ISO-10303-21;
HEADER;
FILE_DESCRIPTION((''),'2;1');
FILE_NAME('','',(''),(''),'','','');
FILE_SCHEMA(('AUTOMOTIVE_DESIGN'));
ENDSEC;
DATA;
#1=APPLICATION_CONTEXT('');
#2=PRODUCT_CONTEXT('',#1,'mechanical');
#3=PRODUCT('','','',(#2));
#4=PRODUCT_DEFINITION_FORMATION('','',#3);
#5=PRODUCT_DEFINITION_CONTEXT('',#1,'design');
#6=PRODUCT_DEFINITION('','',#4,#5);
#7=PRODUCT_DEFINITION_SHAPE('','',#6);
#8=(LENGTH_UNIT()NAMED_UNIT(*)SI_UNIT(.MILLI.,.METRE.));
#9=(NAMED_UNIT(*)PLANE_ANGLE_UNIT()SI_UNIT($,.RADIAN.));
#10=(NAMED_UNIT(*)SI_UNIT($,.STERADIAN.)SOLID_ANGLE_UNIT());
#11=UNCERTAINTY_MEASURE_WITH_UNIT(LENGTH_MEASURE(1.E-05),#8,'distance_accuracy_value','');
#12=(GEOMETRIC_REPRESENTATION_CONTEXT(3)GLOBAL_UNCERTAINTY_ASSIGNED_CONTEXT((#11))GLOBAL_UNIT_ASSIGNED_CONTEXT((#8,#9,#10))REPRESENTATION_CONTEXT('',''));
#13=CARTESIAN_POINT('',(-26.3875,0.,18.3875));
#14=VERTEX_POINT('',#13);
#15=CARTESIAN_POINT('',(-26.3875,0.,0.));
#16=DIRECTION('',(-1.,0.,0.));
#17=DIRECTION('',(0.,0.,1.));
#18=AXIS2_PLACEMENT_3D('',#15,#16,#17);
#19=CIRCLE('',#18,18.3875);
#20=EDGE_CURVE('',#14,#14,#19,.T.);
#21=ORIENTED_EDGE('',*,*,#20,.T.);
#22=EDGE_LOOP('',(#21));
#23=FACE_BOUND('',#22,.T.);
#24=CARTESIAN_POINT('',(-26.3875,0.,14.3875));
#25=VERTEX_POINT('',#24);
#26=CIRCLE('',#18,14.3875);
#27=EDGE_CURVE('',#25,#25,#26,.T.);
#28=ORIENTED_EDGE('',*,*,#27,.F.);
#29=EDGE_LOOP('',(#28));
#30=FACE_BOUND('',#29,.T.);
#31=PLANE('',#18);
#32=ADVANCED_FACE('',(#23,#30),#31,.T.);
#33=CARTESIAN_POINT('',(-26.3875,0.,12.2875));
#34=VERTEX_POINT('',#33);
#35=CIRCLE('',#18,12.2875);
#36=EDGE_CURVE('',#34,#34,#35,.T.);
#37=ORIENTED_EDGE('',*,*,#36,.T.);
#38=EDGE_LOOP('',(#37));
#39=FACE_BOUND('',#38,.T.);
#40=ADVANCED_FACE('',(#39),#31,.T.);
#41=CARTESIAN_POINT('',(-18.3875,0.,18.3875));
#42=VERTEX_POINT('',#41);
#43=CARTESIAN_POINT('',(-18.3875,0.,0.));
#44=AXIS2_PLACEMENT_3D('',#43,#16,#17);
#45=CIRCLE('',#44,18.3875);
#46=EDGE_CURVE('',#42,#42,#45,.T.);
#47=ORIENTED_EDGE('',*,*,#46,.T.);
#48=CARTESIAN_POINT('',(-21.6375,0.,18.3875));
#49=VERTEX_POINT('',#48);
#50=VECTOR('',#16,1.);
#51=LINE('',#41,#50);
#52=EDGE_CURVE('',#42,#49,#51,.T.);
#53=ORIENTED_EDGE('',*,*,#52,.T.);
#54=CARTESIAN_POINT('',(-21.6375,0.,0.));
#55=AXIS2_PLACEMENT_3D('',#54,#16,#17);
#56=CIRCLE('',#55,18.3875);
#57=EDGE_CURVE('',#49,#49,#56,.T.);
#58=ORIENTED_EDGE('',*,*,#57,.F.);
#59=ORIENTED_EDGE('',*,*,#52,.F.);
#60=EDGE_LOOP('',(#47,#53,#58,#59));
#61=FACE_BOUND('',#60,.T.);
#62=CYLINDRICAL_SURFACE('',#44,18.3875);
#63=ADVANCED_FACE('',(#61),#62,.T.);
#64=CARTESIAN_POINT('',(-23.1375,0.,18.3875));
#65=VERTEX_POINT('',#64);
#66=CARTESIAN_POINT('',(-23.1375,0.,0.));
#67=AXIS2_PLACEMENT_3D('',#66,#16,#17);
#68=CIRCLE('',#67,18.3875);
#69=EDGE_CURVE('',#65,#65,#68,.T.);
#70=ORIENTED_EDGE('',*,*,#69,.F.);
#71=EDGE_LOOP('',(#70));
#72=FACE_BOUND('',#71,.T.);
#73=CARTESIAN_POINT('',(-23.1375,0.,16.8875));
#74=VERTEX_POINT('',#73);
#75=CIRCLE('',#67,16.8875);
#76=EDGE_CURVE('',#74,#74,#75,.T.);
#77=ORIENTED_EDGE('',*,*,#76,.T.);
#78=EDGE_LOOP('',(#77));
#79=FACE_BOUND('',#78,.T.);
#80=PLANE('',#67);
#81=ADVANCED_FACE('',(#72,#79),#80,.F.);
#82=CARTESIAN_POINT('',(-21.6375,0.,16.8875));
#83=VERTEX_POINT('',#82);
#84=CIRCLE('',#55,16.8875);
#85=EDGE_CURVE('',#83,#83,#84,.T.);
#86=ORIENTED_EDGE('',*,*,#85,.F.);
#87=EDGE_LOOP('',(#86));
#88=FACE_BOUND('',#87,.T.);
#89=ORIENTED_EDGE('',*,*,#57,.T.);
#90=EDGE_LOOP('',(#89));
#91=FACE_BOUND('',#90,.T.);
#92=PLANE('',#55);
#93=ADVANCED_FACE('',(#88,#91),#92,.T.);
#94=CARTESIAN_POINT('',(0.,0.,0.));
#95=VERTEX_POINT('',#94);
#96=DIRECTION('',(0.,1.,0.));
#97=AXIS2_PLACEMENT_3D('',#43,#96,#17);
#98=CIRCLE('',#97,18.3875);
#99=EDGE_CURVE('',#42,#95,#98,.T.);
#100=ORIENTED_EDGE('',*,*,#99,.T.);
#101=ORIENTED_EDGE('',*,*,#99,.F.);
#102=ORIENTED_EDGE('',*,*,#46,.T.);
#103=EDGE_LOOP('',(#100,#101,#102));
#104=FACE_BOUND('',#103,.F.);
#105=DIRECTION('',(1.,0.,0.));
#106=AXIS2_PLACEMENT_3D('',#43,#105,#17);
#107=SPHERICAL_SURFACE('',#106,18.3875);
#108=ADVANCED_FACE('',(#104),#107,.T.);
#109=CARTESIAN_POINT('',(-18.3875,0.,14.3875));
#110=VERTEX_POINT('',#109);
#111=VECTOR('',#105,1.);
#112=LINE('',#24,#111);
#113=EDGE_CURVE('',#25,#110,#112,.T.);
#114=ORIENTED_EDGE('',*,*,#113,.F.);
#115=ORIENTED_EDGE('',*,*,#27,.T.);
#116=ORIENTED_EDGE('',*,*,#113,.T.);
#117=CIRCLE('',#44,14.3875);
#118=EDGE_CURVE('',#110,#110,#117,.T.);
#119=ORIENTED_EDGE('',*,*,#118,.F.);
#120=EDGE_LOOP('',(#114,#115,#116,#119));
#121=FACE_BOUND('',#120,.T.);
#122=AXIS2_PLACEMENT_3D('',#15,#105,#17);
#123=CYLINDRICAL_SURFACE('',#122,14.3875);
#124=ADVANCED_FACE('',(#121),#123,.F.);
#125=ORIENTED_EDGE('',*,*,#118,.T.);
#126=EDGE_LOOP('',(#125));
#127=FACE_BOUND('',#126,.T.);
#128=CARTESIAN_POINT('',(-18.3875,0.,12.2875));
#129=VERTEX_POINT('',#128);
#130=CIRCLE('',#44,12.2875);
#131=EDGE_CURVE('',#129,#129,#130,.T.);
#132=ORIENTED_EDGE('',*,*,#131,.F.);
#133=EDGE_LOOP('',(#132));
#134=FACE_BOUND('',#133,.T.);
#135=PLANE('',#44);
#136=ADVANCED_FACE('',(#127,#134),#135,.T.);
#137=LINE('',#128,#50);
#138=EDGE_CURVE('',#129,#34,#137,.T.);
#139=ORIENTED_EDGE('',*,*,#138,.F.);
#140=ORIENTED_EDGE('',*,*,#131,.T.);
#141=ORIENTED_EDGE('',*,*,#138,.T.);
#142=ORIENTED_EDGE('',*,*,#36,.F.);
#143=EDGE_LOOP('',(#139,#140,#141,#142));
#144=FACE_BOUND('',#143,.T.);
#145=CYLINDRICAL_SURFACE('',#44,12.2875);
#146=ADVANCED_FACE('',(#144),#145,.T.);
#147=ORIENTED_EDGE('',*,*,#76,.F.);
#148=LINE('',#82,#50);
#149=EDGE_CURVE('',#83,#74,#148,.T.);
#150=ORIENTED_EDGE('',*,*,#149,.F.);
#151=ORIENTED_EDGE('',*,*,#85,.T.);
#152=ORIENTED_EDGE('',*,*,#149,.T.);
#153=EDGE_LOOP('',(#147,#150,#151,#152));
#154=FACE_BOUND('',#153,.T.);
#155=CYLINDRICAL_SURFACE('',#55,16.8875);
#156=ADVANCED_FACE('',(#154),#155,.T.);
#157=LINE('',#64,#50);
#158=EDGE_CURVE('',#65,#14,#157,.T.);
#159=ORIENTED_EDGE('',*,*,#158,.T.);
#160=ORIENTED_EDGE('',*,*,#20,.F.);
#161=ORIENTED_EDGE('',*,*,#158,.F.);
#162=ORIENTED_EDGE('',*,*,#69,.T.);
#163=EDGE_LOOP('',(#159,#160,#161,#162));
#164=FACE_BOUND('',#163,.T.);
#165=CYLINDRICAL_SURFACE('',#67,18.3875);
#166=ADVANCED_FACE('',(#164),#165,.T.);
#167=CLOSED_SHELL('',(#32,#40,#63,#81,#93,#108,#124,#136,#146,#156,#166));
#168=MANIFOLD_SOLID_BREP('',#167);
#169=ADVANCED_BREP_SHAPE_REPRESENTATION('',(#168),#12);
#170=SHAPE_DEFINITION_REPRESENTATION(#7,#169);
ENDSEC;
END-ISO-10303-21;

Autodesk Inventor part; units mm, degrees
ref_plane "YZ Plane" through (0, 0, 0) normal (1, 0, 0) x (0, 1, 0)
ref_plane "XZ Plane" through (0, 0, 0) normal (0, 1, 0) x (-1, 0, 0)
ref_plane "XY Plane" through (0, 0, 0) normal (0, 0, 1) x (1, 0, 0)
sketch "Boceto1" plane through (0, 0, 0) normal (0, 1, 0) x (-1, 0, 0)
  line L0 (18.3875, 12.2875) -> (26.3875, 12.2875)
  line L1 (26.3875, -12.2875) -> (18.3875, -12.2875) construction
  line L2 (26.3875, 18.3875) -> (26.3875, 14.3875)
  line L3 (26.3875, 14.3875) -> (18.3875, 14.3875)
  line L4 (18.3875, 14.3875) -> (18.3875, 12.2875)
  line L5 (18.3875, -12.2875) -> (18.3875, -14.3875) construction
  line L6 (18.3875, -14.3875) -> (26.3875, -14.3875) construction
  line L7 (26.3875, -14.3875) -> (26.3875, -18.3875) construction
  line L8 (18.3875, 18.3875) -> (21.6375, 18.3875)
  line L9 (21.6375, 18.3875) -> (21.6375, 16.8875)
  line L10 (21.6375, 16.8875) -> (23.1375, 16.8875)
  line L11 (23.1375, 16.8875) -> (23.1375, 18.3875)
  line L12 (23.1375, 18.3875) -> (26.3875, 18.3875)
  line L13 (18.3875, -18.3875) -> (21.6375, -18.3875) construction
  line L14 (21.6375, -18.3875) -> (21.6375, -16.8875) construction
  line L15 (21.6375, -16.8875) -> (23.1375, -16.8875) construction
  line L16 (23.1375, -16.8875) -> (23.1375, -18.3875) construction
  line L17 (23.1375, -18.3875) -> (26.3875, -18.3875) construction
  line L18 (0, 0) -> (26.3875, 0)
  line L19 (26.3875, 12.2875) -> (26.3875, 0)
  line L20 (26.3875, 0) -> (26.3875, -12.2875) construction
  arc A0 (18.3875, 18.3875) -> (0, 0) centre (18.3875, 0) ccw
  arc A1 (0, 0) -> (18.3875, -18.3875) centre (18.3875, 0) ccw construction
  point P0 (26.3875, 16.3875)
  point P1 (26.3875, -16.3875)
  dimension "d0" = 24.575
  dimension "d3" = 2.1
  dimension "d4" = 4
  dimension "d5" = 8
  dimension "d6" = 1.5
  dimension "d8" = 3.25
revolve "Revolución1" add sketch "Boceto1" angle 360 about axis through (0, 0, 0) along (-1, 0, 0)
equation "\"d0\" = diametro_agujero_brazo"
equation "\"d3\" = 1.05 * grosor_pared_agujero_brazo"
equation "\"d5\" = profundidad_agujero_brazo"
equation "\"d8\" = -0.5 * d6 + 0.5 * d5"
equation "\"diametro_agujero_brazo\" = 24.575"
equation "\"grosor_pared_agujero_brazo\" = 2"
equation "\"profundidad_agujero_brazo\" = 8"
properties part number "Pata - Pie"
